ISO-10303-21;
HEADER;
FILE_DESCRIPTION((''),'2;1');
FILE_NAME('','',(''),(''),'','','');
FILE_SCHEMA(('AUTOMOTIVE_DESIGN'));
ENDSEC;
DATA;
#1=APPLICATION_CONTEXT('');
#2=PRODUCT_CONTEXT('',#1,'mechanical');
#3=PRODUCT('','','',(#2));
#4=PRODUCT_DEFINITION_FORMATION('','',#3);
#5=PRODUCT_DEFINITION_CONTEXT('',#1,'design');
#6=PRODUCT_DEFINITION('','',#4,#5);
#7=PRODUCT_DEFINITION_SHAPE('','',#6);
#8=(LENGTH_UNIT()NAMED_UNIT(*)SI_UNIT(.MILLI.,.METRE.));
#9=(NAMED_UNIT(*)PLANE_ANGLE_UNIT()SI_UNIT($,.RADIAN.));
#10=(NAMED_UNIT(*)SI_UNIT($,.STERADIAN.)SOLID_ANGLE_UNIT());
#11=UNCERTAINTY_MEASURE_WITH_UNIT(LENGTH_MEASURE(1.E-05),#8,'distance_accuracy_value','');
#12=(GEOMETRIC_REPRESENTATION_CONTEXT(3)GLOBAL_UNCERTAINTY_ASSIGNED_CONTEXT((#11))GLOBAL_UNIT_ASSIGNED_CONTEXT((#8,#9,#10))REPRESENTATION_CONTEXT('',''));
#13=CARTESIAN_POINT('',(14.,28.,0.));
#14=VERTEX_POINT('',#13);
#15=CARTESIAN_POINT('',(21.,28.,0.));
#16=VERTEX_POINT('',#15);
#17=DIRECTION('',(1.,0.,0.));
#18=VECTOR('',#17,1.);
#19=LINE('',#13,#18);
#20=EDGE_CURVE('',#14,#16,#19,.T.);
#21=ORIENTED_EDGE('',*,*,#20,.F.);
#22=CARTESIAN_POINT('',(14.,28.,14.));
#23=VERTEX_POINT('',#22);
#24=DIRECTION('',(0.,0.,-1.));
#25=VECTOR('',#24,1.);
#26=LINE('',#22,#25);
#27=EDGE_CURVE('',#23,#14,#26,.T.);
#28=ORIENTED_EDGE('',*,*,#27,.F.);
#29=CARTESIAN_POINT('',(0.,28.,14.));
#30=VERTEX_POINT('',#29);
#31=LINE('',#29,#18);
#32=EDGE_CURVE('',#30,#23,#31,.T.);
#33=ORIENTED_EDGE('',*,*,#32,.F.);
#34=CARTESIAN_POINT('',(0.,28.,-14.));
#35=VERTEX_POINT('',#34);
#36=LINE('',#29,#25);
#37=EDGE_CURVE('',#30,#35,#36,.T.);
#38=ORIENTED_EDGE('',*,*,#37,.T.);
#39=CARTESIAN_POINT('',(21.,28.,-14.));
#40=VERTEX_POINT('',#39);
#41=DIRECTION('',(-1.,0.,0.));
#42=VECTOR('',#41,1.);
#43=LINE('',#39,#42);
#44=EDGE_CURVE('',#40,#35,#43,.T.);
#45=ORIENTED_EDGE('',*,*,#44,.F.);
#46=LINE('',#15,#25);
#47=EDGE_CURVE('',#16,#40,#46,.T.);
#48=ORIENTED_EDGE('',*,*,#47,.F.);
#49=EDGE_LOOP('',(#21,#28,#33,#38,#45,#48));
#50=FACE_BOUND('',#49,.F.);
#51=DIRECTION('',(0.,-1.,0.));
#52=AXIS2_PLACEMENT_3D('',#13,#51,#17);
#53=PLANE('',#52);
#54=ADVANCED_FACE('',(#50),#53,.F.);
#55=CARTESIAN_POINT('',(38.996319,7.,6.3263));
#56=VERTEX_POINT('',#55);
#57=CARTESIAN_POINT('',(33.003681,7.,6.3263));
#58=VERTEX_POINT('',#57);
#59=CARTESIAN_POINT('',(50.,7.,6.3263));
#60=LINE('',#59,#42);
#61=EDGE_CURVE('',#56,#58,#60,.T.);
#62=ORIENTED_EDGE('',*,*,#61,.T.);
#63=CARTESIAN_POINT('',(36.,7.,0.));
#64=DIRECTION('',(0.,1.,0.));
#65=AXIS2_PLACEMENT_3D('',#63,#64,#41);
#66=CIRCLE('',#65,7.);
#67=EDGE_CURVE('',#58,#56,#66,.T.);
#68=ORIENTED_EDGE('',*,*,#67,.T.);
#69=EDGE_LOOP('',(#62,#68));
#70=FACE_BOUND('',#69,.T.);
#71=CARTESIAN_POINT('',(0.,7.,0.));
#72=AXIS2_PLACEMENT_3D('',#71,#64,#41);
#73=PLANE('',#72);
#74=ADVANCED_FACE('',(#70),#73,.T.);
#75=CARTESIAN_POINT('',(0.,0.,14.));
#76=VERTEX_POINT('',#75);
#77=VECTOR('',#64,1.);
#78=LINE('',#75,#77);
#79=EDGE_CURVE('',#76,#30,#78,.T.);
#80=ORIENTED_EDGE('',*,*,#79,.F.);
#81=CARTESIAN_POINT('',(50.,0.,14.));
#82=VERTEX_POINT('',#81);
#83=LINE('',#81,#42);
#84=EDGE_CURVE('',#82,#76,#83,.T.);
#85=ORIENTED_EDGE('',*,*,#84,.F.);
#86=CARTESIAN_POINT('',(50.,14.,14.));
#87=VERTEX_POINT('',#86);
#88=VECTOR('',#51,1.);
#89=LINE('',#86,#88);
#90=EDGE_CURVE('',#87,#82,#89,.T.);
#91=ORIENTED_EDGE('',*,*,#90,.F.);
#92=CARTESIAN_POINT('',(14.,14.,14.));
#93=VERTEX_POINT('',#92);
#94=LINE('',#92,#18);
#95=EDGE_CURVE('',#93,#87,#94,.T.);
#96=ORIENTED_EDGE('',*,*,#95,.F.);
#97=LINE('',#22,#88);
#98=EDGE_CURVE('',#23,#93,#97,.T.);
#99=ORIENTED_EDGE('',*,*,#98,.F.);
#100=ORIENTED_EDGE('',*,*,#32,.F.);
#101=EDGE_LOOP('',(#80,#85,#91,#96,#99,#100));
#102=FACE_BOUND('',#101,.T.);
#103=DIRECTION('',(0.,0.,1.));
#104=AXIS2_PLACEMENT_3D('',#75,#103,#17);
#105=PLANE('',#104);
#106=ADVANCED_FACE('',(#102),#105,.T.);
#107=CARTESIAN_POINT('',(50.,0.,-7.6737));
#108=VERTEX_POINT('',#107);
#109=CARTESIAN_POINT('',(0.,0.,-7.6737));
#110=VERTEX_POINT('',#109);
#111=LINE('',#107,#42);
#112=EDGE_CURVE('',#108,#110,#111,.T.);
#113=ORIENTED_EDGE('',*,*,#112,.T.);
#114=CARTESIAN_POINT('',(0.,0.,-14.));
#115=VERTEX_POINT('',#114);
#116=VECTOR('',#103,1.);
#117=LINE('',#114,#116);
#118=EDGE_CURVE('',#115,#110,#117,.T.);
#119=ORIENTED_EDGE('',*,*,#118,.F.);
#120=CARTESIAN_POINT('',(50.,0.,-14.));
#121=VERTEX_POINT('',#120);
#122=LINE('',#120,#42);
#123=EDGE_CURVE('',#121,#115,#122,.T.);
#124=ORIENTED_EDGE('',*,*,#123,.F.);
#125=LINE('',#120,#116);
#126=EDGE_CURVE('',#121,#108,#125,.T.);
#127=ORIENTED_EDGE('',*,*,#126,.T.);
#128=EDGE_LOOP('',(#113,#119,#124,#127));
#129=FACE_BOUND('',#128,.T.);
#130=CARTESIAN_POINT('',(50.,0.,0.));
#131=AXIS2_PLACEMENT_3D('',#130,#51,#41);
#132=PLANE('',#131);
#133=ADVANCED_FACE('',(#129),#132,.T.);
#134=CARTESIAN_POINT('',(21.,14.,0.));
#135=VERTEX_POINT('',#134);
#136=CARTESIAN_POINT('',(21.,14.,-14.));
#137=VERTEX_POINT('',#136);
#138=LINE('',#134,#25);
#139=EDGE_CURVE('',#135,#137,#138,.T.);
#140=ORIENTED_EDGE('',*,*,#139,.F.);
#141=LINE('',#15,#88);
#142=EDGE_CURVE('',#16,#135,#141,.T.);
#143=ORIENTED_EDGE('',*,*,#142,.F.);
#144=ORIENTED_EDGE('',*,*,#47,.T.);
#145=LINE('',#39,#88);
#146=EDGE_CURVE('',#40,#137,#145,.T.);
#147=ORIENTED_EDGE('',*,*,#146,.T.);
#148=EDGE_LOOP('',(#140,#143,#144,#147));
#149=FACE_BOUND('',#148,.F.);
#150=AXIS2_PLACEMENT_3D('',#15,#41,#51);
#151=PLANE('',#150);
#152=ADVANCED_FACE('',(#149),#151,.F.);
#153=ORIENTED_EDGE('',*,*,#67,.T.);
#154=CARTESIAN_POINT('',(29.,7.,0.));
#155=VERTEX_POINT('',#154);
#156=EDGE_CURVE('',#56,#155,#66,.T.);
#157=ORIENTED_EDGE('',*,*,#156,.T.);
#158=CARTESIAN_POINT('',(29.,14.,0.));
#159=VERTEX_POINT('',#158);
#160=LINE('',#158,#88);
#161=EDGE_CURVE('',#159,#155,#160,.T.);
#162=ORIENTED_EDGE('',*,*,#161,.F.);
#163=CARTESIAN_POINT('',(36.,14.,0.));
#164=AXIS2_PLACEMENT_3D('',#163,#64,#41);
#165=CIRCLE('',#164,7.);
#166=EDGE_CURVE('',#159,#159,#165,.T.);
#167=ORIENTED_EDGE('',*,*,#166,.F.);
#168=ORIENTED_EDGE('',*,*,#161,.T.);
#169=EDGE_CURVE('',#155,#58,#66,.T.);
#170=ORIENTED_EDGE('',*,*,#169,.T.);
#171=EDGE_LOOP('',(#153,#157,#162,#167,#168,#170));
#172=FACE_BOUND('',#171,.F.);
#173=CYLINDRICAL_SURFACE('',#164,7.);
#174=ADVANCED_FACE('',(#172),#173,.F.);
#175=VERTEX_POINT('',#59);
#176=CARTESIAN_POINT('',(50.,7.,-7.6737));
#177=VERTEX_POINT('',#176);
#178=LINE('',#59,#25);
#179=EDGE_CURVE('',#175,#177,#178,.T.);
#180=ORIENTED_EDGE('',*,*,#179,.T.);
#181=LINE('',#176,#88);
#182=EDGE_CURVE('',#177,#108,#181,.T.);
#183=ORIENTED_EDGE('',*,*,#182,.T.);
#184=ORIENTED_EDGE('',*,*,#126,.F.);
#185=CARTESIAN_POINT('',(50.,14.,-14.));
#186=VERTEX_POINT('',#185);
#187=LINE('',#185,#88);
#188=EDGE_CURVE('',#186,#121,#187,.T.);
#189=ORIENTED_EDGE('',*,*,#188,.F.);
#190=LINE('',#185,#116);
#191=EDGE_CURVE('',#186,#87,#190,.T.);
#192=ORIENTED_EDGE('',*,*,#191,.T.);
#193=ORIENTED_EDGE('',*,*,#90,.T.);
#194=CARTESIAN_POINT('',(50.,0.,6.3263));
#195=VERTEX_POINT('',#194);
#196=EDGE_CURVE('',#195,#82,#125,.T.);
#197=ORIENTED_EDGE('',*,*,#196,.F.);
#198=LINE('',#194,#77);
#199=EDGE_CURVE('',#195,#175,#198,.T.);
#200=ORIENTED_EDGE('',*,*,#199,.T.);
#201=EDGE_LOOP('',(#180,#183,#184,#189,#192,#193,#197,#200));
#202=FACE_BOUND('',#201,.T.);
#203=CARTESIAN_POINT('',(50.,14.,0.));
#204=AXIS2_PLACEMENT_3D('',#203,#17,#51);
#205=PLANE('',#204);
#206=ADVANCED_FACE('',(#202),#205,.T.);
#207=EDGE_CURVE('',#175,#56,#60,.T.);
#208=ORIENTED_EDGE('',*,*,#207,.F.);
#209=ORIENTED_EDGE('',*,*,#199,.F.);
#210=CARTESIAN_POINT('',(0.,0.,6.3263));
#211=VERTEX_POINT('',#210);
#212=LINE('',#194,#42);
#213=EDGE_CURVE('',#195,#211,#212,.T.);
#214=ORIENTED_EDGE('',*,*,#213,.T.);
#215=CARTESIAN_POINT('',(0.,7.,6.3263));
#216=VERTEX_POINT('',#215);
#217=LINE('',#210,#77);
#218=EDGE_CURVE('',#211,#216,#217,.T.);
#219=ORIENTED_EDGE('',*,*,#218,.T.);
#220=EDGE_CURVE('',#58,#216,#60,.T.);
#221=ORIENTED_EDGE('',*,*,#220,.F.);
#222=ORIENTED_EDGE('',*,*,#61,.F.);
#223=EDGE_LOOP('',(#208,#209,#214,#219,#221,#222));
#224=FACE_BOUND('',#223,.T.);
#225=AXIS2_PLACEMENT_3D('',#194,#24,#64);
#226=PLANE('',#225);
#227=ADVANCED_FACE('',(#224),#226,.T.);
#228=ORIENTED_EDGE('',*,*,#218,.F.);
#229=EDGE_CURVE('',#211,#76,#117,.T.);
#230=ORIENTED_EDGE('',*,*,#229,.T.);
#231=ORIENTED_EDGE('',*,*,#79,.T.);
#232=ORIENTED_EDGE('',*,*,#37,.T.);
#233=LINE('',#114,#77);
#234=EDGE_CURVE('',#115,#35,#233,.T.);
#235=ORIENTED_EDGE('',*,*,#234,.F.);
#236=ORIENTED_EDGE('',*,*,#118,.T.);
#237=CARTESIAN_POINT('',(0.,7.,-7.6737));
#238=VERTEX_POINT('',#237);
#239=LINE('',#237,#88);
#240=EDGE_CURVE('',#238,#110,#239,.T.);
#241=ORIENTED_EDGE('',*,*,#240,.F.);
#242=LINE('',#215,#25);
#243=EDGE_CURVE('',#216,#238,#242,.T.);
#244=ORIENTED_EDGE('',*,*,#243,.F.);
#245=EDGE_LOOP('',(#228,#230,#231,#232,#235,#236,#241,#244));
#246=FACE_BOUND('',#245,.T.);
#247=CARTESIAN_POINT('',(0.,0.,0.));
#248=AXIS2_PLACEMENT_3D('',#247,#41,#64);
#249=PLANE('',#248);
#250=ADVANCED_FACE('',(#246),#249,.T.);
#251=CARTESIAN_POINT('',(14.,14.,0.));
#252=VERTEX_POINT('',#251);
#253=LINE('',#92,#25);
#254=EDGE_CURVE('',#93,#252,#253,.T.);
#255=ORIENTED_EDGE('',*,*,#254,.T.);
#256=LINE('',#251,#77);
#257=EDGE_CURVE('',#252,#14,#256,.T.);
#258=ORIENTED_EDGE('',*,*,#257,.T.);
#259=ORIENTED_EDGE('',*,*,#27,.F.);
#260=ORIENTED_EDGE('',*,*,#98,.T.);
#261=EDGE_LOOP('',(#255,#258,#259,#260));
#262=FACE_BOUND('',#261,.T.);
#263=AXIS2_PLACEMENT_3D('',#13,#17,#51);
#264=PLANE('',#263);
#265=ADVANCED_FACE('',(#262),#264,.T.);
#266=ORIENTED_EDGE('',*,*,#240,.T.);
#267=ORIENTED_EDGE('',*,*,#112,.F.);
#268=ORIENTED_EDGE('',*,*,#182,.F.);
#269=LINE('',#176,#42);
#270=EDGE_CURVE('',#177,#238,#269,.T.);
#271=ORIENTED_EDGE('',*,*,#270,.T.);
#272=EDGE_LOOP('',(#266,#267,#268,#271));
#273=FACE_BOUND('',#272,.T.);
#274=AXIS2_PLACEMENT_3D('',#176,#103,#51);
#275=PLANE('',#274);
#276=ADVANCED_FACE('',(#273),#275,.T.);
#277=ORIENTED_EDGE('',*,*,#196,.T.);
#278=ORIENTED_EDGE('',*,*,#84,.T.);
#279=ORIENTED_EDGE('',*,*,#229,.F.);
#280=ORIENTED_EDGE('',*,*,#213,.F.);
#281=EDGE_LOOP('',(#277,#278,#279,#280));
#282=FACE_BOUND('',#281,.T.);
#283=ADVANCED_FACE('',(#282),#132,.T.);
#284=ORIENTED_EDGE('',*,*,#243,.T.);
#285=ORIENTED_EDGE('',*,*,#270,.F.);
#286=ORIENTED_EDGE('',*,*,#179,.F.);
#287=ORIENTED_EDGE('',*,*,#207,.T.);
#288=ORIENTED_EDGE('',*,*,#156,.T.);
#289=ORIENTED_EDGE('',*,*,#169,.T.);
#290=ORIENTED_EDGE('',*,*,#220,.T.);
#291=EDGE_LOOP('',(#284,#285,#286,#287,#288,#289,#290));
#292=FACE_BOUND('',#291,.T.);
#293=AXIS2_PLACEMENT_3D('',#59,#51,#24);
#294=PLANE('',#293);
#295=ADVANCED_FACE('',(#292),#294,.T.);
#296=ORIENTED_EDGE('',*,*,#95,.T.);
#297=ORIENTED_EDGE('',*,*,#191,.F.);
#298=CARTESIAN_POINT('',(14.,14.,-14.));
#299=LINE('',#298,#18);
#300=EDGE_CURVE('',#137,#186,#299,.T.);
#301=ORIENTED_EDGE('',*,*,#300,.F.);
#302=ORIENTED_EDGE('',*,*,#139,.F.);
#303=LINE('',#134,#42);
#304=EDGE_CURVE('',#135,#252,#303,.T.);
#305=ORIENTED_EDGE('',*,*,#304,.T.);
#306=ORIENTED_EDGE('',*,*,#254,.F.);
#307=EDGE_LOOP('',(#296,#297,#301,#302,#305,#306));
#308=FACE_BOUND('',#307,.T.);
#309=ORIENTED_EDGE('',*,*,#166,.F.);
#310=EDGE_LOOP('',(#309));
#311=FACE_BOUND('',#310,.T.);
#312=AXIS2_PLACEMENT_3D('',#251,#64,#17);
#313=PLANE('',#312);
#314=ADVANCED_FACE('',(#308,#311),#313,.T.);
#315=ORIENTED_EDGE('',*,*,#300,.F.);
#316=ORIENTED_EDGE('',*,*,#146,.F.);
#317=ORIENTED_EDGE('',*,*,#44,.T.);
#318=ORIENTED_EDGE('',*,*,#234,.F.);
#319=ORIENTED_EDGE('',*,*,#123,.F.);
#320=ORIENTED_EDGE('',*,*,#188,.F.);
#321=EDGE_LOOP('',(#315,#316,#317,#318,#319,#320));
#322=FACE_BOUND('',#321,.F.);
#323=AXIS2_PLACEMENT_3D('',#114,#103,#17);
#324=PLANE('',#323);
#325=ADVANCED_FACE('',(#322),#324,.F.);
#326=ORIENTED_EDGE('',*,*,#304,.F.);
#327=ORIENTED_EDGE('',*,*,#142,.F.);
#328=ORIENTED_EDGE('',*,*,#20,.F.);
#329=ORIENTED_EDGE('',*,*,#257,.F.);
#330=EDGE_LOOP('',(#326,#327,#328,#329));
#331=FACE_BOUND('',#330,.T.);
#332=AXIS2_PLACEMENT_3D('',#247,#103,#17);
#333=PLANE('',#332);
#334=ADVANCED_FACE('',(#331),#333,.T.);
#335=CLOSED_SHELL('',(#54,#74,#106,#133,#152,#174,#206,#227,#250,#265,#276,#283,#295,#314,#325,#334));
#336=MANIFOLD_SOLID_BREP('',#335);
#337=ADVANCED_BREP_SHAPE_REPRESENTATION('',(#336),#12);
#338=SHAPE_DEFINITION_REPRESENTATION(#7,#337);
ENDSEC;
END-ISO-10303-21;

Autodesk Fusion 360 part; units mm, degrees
sketch "Sketch1" plane through (0, 0, 0) normal (0, 0, 1) x (1, 0, 0)
  line L0 (0, 0) -> (0, 28)
  line L1 (0, 28) -> (14, 28)
  line L2 (14, 28) -> (14, 14)
  line L3 (14, 14) -> (50, 14)
  line L4 (50, 14) -> (50, 0)
  line L5 (50, 0) -> (0, 0)
  dimension "d1" = 14
  dimension "d2" = 14
  dimension "d3" = 14
  dimension "d4" = 50
extrude "Extrude1" add sketch "Sketch1" along normal mid plane 28
sketch "Sketch2" plane through (0, 0, 0) normal (0, 0, 1) x (1, 0, 0)
  line L0 (14, 28) -> (21, 28)
  line L1 (21, 28) -> (21, 14)
  line L2 (21, 14) -> (14, 14)
  line L3 (14, 14) -> (14, 28)
  point P0 (14, 28)
  point P1 (14, 14)
  dimension "d7" = 7
  dimension "d8" = 14
extrude "Extrude2" add sketch "Sketch2" against normal blind 14
sketch "Sketch3" plane through (50, 0, 0) normal (1, 0, 0) x (0, 0, -1)
  line L0 (14, 14) -> (-14, 14)
  line L1 (-14, 14) -> (-14, 0)
  line L2 (-14, 0) -> (14, 0)
  line L3 (14, 0) -> (14, 14)
  line L4 (-6.3263, 0) -> (-6.3263, 7)
  line L5 (-6.3263, 7) -> (7.6737, 7)
  line L6 (7.6737, 7) -> (7.6737, 0)
  line L7 (0, 18) -> (0, 0) construction
  line L8 (0, 0) -> (0, -4) construction
  dimension "d11" = 14
  dimension "d12" = 14
  dimension "d13" = 14
  dimension "d14" = 7.6737
  dimension "d15" = 90
  dimension "d16" = 7
extrude "Extrude3" cut sketch "Sketch3" against normal blind 50 contours L2 L4 L5 L6
sketch "Sketch4" plane through (0, 14, 0) normal (0, 1, 0) x (-1, 0, 0)
  line L0 (-21, -14) -> (-21, 0)
  line L1 (-21, 0) -> (-14, 0)
  line L2 (-14, 0) -> (-14, 14)
  line L3 (-14, 14) -> (-50, 14)
  line L4 (-50, 14) -> (-50, -14)
  line L5 (-50, -14) -> (-21, -14)
  line L6 (5.2801, -7) -> (-65, -7) construction
  line L7 (5, 7) -> (-62.1492, 7) construction
  circle A0 centre (-36, 0) radius 7
  dimension "d19" = 7
  dimension "d20" = 7
  dimension "d21" = 14
  dimension "d22" = 14
extrude "Extrude4" cut sketch "Sketch4" against normal blind 7 contours A0
